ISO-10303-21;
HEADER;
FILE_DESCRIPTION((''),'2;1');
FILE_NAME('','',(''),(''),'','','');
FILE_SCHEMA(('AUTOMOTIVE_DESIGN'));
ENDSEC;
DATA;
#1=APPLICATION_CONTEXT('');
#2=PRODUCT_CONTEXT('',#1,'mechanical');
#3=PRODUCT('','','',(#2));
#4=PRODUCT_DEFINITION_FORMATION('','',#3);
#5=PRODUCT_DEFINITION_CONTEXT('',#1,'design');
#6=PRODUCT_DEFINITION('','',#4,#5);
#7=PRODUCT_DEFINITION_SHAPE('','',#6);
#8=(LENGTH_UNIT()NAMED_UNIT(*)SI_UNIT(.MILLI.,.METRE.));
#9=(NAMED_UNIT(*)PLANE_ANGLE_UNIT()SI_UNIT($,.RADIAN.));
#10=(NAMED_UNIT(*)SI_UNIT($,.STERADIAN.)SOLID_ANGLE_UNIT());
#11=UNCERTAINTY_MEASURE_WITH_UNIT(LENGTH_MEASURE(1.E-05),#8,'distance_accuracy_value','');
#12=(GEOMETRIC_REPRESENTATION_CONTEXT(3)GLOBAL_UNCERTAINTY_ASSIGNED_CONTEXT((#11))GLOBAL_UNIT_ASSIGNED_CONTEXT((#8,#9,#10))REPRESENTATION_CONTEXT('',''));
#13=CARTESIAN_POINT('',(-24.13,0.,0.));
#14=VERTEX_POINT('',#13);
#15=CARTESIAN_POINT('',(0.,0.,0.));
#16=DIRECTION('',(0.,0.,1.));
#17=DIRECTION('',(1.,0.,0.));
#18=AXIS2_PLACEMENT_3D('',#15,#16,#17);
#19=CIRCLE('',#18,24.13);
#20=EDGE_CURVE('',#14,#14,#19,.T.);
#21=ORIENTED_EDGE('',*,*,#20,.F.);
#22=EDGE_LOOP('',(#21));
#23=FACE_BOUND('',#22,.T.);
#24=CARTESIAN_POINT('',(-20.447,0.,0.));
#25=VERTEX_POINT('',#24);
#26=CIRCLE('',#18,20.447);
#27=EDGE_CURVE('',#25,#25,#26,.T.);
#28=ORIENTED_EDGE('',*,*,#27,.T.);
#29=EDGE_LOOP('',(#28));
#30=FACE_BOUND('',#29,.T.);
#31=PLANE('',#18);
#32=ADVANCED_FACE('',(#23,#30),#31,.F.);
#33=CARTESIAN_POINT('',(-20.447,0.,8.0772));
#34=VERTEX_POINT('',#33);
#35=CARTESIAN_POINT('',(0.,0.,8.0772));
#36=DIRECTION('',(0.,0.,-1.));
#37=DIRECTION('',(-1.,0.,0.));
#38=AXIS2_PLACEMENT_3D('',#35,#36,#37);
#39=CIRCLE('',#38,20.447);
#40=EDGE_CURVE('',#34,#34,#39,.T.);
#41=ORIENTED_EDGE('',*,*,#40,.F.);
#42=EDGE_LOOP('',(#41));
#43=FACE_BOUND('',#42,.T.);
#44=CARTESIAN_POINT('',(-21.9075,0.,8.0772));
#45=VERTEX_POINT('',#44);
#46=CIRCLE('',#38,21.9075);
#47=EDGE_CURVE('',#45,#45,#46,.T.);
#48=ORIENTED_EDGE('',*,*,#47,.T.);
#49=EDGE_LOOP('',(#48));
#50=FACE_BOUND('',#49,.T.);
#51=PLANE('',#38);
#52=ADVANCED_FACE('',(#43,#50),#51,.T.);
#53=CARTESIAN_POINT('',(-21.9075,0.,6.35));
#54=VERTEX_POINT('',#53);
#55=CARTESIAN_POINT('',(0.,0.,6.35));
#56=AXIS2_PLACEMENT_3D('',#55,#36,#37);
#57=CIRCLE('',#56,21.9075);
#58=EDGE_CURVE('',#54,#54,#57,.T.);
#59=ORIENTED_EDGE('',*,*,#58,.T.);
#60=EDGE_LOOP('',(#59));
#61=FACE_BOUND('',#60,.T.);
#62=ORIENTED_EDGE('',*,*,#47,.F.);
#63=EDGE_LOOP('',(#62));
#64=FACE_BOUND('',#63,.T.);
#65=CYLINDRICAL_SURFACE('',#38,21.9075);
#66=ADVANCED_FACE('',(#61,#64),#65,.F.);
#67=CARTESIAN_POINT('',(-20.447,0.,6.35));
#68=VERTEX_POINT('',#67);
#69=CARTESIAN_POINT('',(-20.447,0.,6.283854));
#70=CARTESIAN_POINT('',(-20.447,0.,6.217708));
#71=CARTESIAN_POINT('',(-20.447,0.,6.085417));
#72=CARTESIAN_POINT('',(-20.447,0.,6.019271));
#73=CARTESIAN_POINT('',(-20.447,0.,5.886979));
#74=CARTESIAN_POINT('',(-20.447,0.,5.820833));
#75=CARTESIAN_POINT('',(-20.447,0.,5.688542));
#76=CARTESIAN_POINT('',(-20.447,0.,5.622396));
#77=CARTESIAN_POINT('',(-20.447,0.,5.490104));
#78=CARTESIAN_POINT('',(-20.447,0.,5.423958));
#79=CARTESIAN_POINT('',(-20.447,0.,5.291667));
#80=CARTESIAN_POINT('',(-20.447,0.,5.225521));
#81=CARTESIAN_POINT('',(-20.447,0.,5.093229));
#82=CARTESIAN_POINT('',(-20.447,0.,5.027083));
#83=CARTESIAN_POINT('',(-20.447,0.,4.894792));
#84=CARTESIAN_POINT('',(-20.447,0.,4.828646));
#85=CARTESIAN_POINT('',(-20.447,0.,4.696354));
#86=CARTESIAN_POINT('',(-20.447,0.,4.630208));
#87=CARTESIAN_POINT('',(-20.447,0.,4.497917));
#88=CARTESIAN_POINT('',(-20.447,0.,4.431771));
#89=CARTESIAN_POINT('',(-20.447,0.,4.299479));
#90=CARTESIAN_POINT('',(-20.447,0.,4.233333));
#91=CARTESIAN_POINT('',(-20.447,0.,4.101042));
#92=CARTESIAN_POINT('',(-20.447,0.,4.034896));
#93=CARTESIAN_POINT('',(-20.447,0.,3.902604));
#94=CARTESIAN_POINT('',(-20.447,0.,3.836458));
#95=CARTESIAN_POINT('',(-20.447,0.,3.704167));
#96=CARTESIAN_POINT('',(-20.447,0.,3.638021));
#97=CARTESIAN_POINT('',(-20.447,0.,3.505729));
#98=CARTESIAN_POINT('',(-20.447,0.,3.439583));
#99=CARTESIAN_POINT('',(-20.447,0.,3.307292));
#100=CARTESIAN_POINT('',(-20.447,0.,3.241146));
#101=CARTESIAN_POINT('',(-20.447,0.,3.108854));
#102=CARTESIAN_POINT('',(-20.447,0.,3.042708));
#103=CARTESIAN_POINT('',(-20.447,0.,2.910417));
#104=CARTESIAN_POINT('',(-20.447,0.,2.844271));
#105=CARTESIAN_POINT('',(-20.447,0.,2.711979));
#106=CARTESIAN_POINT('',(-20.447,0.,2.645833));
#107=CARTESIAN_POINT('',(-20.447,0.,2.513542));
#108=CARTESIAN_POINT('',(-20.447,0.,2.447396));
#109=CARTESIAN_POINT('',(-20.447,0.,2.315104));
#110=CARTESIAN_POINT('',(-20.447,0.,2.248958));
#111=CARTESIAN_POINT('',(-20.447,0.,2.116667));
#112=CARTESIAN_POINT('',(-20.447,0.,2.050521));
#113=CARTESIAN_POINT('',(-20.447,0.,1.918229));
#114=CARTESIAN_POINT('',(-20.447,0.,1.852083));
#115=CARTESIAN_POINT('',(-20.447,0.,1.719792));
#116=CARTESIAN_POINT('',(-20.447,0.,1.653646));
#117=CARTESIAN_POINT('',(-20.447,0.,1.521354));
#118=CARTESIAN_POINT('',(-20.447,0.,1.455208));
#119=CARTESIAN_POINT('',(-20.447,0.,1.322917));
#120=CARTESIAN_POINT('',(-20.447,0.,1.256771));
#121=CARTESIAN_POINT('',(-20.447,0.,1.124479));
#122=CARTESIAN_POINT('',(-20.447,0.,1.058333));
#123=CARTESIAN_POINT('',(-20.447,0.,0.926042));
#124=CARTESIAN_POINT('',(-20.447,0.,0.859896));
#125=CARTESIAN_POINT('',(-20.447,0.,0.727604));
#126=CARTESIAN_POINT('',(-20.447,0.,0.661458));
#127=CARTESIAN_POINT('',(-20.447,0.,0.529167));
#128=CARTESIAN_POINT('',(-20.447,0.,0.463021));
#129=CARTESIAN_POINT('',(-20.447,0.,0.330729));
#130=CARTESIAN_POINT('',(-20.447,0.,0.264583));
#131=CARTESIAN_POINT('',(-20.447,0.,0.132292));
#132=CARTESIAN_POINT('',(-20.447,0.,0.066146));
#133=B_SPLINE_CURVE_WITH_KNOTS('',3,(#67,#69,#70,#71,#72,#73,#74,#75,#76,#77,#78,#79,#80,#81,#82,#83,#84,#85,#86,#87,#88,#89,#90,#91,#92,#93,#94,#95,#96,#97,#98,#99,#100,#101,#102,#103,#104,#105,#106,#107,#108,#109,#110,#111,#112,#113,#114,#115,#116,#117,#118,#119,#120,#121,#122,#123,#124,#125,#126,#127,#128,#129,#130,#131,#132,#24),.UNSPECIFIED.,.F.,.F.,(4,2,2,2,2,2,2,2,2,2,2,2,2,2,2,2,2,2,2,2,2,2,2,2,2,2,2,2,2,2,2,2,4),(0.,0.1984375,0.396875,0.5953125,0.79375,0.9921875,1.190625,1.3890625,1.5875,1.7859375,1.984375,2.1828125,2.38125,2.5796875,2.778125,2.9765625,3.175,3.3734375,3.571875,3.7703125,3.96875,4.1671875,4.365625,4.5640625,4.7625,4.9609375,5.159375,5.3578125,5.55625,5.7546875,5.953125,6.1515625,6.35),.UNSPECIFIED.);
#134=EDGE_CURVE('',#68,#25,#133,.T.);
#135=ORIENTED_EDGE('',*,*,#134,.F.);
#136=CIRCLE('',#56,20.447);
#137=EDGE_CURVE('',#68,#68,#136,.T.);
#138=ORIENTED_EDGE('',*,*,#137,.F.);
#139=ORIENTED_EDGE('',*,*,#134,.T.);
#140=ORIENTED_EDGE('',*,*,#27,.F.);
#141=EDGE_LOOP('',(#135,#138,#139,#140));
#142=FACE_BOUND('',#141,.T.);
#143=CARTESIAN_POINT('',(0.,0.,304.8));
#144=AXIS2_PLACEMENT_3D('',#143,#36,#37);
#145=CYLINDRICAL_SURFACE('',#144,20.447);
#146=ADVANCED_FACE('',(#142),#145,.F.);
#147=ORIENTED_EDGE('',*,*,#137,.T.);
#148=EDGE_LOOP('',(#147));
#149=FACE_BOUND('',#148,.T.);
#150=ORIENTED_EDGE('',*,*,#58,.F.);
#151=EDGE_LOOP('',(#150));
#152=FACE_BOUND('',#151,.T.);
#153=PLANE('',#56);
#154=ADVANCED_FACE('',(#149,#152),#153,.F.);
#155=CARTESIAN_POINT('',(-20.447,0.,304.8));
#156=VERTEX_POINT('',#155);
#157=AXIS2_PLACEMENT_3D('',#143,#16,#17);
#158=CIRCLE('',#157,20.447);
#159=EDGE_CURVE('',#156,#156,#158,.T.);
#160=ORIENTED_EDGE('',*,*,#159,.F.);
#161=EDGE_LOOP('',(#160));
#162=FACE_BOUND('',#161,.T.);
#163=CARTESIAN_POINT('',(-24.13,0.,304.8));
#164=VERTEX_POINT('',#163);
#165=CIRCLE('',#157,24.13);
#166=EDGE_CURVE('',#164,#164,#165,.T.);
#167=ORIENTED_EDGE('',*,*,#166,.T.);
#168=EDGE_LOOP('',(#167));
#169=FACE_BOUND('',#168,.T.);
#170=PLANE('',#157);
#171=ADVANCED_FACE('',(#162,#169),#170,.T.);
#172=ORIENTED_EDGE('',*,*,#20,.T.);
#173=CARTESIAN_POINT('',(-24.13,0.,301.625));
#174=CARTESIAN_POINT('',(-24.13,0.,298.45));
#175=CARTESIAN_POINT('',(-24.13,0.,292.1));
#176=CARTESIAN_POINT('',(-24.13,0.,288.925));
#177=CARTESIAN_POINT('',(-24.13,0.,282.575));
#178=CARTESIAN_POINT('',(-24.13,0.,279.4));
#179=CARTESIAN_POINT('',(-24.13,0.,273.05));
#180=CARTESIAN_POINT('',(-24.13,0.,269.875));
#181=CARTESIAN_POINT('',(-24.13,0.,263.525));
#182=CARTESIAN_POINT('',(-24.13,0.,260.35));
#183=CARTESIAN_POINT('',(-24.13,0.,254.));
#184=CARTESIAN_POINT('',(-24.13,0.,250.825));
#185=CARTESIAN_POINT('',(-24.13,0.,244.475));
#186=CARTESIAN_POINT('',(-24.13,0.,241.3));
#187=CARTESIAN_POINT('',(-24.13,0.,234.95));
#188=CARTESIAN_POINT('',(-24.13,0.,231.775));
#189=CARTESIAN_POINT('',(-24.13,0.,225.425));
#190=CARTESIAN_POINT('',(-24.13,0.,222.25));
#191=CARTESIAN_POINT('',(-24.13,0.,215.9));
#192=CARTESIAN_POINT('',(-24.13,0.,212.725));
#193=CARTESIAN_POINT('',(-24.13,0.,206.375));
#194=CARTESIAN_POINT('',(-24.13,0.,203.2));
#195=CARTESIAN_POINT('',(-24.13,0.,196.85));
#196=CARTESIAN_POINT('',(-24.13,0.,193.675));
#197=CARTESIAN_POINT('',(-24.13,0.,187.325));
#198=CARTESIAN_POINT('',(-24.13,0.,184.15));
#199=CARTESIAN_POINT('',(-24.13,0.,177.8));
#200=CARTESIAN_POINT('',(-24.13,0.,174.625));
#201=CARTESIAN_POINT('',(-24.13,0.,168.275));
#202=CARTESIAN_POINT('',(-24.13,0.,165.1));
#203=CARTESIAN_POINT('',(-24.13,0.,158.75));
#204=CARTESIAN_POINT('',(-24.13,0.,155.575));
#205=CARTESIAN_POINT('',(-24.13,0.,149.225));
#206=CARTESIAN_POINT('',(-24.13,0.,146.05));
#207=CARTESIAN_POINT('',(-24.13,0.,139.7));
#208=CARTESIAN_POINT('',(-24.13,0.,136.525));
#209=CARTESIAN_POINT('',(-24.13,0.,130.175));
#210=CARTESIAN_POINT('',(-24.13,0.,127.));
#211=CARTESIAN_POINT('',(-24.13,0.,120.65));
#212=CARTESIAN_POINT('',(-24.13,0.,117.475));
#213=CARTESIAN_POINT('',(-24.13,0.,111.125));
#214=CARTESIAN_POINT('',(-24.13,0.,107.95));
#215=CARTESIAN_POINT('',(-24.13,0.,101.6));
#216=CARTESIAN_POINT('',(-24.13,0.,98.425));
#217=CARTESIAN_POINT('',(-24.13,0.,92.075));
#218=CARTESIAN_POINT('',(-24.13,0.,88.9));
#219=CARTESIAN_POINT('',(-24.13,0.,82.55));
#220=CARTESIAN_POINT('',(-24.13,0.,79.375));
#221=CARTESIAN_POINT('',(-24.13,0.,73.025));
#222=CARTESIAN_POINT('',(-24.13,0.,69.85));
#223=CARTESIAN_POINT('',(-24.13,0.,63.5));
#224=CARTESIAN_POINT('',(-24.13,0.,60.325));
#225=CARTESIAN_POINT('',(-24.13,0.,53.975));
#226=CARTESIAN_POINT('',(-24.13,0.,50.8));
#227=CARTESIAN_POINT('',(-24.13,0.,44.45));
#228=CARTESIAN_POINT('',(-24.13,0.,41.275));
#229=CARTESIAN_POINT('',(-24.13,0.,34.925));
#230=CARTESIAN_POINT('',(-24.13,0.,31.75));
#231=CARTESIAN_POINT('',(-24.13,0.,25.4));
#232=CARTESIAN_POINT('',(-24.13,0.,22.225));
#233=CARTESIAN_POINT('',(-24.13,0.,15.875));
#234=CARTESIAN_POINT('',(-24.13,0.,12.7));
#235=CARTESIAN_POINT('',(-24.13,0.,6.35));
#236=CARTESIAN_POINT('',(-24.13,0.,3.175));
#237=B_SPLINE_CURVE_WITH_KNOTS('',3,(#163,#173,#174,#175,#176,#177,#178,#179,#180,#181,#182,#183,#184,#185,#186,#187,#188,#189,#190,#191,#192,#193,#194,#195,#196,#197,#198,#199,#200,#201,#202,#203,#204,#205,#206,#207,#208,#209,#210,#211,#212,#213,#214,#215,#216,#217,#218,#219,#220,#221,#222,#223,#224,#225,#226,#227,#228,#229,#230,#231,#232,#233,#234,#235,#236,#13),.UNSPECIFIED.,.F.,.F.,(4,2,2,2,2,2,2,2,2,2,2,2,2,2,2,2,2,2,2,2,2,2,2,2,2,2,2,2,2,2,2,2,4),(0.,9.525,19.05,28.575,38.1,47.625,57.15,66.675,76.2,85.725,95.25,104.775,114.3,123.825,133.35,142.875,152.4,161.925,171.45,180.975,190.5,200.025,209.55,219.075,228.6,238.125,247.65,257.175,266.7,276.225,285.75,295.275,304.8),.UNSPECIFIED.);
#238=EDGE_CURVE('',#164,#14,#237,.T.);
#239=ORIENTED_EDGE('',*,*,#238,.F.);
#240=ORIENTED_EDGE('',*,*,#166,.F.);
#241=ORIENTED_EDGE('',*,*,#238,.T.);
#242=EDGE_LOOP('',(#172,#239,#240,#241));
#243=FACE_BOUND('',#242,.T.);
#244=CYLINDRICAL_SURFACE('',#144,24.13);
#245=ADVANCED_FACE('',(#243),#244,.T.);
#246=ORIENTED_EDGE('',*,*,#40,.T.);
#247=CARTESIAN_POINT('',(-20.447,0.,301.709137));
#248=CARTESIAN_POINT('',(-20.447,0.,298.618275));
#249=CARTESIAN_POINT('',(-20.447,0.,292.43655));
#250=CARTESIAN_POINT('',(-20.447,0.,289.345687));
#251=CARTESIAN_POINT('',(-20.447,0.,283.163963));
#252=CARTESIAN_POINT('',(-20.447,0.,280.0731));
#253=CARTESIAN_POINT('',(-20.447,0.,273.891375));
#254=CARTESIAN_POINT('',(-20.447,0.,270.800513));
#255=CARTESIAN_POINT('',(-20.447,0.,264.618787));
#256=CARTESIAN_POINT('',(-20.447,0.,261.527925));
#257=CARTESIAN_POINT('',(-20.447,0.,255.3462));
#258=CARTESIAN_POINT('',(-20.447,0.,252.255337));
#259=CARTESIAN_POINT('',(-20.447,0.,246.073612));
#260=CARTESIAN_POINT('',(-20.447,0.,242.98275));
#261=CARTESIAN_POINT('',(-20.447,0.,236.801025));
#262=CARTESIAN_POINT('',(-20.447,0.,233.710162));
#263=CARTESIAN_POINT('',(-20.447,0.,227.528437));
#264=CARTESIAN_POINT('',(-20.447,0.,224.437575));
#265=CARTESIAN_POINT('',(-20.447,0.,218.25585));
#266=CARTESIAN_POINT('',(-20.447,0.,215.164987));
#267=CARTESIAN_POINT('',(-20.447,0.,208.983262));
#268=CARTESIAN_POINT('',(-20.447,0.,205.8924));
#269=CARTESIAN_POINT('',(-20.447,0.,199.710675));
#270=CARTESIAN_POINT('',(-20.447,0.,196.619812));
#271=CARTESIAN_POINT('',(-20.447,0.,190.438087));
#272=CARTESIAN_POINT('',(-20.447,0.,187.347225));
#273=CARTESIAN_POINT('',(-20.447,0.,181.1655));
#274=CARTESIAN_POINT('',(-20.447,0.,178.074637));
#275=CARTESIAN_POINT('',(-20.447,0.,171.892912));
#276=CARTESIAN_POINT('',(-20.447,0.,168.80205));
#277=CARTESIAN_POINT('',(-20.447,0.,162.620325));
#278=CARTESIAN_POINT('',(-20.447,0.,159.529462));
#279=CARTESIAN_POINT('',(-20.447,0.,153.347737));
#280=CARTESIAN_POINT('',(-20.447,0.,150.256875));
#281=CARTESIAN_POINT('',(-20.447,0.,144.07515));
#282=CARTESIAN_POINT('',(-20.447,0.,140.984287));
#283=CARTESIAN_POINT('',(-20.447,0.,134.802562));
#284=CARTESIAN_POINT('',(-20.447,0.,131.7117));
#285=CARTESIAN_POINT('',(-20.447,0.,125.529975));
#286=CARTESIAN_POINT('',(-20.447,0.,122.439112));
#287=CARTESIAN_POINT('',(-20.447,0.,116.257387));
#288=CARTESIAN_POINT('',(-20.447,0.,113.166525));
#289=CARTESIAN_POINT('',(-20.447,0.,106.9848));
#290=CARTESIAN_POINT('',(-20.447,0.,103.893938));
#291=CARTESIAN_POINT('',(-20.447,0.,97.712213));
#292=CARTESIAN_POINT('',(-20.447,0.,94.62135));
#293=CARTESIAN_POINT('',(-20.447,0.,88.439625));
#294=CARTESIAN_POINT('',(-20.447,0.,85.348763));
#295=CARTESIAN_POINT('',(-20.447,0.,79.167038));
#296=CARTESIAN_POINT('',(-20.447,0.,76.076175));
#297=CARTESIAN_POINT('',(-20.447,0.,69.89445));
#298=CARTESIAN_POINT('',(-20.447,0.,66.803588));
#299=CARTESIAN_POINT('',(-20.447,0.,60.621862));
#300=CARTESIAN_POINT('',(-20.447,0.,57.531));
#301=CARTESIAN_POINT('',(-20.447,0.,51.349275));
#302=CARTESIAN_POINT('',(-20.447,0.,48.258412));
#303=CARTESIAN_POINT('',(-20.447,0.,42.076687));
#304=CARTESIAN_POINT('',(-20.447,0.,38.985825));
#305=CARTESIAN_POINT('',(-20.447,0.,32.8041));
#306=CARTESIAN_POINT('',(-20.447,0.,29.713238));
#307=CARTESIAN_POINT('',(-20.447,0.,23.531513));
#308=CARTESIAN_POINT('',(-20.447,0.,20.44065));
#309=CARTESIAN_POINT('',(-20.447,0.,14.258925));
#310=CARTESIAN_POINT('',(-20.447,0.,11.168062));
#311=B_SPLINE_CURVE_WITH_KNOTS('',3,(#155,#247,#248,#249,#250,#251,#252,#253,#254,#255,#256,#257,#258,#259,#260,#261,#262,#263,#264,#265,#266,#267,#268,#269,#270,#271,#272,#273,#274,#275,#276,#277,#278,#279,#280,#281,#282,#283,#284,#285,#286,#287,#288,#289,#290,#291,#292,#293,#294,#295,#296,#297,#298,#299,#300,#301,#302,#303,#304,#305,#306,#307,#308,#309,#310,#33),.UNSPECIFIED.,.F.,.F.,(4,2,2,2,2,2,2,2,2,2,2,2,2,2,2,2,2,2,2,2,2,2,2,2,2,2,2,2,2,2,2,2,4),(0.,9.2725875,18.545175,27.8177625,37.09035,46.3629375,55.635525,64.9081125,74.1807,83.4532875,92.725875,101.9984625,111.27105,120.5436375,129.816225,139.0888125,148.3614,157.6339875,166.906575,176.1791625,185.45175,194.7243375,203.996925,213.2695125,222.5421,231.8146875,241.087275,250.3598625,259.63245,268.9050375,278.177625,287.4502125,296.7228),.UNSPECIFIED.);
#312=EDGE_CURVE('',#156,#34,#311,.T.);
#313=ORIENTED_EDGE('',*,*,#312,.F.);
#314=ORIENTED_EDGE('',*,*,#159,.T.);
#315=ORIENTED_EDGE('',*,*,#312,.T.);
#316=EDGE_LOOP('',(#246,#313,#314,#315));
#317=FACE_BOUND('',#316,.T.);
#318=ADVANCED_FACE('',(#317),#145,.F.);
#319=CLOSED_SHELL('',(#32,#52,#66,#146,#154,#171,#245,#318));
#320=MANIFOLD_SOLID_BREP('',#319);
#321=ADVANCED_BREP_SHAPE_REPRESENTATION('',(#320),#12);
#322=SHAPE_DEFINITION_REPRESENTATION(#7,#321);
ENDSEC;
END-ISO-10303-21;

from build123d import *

# Parameters (mm, degrees)
SKETCH2_R              = 24.13
SKETCH2_R_2            = 20.447
BASE_DEPTH             = 304.8
SNAP_RING_GROOVE_START = -6.35
SKETCH3_R              = 21.9075
SKETCH3_R_2            = 20.447
SNAP_RING_GROOVE_DEPTH = 1.7272


with BuildPart() as part:
    # Sketch2 → base (new body)
    with BuildSketch(Plane(origin=(0, 0, 0), x_dir=(0, 1, 0), z_dir=(0, 0, 1))):
        with Locations(Location((0, 0, 0), (0, 0, 90))):
            Circle(SKETCH2_R)
        with Locations(Location((0, 0, 0), (0, 0, 90))):
            Circle(SKETCH2_R_2, mode=Mode.SUBTRACT)
    extrude(amount=BASE_DEPTH)

    # Sketch3 → snap_ring_groove (cut)
    with BuildSketch(Plane(origin=(0, 0, 0), x_dir=(1, 0, 0), z_dir=(0, 0, -1)).offset(SNAP_RING_GROOVE_START)):
        with Locations(Location((0, 0, 0), (0, 0, 180))):
            Circle(SKETCH3_R)
        with Locations(Location((0, 0, 0), (0, 0, 180))):
            Circle(SKETCH3_R_2, mode=Mode.SUBTRACT)
    extrude(amount=-SNAP_RING_GROOVE_DEPTH, mode=Mode.SUBTRACT)


solid = part.part
